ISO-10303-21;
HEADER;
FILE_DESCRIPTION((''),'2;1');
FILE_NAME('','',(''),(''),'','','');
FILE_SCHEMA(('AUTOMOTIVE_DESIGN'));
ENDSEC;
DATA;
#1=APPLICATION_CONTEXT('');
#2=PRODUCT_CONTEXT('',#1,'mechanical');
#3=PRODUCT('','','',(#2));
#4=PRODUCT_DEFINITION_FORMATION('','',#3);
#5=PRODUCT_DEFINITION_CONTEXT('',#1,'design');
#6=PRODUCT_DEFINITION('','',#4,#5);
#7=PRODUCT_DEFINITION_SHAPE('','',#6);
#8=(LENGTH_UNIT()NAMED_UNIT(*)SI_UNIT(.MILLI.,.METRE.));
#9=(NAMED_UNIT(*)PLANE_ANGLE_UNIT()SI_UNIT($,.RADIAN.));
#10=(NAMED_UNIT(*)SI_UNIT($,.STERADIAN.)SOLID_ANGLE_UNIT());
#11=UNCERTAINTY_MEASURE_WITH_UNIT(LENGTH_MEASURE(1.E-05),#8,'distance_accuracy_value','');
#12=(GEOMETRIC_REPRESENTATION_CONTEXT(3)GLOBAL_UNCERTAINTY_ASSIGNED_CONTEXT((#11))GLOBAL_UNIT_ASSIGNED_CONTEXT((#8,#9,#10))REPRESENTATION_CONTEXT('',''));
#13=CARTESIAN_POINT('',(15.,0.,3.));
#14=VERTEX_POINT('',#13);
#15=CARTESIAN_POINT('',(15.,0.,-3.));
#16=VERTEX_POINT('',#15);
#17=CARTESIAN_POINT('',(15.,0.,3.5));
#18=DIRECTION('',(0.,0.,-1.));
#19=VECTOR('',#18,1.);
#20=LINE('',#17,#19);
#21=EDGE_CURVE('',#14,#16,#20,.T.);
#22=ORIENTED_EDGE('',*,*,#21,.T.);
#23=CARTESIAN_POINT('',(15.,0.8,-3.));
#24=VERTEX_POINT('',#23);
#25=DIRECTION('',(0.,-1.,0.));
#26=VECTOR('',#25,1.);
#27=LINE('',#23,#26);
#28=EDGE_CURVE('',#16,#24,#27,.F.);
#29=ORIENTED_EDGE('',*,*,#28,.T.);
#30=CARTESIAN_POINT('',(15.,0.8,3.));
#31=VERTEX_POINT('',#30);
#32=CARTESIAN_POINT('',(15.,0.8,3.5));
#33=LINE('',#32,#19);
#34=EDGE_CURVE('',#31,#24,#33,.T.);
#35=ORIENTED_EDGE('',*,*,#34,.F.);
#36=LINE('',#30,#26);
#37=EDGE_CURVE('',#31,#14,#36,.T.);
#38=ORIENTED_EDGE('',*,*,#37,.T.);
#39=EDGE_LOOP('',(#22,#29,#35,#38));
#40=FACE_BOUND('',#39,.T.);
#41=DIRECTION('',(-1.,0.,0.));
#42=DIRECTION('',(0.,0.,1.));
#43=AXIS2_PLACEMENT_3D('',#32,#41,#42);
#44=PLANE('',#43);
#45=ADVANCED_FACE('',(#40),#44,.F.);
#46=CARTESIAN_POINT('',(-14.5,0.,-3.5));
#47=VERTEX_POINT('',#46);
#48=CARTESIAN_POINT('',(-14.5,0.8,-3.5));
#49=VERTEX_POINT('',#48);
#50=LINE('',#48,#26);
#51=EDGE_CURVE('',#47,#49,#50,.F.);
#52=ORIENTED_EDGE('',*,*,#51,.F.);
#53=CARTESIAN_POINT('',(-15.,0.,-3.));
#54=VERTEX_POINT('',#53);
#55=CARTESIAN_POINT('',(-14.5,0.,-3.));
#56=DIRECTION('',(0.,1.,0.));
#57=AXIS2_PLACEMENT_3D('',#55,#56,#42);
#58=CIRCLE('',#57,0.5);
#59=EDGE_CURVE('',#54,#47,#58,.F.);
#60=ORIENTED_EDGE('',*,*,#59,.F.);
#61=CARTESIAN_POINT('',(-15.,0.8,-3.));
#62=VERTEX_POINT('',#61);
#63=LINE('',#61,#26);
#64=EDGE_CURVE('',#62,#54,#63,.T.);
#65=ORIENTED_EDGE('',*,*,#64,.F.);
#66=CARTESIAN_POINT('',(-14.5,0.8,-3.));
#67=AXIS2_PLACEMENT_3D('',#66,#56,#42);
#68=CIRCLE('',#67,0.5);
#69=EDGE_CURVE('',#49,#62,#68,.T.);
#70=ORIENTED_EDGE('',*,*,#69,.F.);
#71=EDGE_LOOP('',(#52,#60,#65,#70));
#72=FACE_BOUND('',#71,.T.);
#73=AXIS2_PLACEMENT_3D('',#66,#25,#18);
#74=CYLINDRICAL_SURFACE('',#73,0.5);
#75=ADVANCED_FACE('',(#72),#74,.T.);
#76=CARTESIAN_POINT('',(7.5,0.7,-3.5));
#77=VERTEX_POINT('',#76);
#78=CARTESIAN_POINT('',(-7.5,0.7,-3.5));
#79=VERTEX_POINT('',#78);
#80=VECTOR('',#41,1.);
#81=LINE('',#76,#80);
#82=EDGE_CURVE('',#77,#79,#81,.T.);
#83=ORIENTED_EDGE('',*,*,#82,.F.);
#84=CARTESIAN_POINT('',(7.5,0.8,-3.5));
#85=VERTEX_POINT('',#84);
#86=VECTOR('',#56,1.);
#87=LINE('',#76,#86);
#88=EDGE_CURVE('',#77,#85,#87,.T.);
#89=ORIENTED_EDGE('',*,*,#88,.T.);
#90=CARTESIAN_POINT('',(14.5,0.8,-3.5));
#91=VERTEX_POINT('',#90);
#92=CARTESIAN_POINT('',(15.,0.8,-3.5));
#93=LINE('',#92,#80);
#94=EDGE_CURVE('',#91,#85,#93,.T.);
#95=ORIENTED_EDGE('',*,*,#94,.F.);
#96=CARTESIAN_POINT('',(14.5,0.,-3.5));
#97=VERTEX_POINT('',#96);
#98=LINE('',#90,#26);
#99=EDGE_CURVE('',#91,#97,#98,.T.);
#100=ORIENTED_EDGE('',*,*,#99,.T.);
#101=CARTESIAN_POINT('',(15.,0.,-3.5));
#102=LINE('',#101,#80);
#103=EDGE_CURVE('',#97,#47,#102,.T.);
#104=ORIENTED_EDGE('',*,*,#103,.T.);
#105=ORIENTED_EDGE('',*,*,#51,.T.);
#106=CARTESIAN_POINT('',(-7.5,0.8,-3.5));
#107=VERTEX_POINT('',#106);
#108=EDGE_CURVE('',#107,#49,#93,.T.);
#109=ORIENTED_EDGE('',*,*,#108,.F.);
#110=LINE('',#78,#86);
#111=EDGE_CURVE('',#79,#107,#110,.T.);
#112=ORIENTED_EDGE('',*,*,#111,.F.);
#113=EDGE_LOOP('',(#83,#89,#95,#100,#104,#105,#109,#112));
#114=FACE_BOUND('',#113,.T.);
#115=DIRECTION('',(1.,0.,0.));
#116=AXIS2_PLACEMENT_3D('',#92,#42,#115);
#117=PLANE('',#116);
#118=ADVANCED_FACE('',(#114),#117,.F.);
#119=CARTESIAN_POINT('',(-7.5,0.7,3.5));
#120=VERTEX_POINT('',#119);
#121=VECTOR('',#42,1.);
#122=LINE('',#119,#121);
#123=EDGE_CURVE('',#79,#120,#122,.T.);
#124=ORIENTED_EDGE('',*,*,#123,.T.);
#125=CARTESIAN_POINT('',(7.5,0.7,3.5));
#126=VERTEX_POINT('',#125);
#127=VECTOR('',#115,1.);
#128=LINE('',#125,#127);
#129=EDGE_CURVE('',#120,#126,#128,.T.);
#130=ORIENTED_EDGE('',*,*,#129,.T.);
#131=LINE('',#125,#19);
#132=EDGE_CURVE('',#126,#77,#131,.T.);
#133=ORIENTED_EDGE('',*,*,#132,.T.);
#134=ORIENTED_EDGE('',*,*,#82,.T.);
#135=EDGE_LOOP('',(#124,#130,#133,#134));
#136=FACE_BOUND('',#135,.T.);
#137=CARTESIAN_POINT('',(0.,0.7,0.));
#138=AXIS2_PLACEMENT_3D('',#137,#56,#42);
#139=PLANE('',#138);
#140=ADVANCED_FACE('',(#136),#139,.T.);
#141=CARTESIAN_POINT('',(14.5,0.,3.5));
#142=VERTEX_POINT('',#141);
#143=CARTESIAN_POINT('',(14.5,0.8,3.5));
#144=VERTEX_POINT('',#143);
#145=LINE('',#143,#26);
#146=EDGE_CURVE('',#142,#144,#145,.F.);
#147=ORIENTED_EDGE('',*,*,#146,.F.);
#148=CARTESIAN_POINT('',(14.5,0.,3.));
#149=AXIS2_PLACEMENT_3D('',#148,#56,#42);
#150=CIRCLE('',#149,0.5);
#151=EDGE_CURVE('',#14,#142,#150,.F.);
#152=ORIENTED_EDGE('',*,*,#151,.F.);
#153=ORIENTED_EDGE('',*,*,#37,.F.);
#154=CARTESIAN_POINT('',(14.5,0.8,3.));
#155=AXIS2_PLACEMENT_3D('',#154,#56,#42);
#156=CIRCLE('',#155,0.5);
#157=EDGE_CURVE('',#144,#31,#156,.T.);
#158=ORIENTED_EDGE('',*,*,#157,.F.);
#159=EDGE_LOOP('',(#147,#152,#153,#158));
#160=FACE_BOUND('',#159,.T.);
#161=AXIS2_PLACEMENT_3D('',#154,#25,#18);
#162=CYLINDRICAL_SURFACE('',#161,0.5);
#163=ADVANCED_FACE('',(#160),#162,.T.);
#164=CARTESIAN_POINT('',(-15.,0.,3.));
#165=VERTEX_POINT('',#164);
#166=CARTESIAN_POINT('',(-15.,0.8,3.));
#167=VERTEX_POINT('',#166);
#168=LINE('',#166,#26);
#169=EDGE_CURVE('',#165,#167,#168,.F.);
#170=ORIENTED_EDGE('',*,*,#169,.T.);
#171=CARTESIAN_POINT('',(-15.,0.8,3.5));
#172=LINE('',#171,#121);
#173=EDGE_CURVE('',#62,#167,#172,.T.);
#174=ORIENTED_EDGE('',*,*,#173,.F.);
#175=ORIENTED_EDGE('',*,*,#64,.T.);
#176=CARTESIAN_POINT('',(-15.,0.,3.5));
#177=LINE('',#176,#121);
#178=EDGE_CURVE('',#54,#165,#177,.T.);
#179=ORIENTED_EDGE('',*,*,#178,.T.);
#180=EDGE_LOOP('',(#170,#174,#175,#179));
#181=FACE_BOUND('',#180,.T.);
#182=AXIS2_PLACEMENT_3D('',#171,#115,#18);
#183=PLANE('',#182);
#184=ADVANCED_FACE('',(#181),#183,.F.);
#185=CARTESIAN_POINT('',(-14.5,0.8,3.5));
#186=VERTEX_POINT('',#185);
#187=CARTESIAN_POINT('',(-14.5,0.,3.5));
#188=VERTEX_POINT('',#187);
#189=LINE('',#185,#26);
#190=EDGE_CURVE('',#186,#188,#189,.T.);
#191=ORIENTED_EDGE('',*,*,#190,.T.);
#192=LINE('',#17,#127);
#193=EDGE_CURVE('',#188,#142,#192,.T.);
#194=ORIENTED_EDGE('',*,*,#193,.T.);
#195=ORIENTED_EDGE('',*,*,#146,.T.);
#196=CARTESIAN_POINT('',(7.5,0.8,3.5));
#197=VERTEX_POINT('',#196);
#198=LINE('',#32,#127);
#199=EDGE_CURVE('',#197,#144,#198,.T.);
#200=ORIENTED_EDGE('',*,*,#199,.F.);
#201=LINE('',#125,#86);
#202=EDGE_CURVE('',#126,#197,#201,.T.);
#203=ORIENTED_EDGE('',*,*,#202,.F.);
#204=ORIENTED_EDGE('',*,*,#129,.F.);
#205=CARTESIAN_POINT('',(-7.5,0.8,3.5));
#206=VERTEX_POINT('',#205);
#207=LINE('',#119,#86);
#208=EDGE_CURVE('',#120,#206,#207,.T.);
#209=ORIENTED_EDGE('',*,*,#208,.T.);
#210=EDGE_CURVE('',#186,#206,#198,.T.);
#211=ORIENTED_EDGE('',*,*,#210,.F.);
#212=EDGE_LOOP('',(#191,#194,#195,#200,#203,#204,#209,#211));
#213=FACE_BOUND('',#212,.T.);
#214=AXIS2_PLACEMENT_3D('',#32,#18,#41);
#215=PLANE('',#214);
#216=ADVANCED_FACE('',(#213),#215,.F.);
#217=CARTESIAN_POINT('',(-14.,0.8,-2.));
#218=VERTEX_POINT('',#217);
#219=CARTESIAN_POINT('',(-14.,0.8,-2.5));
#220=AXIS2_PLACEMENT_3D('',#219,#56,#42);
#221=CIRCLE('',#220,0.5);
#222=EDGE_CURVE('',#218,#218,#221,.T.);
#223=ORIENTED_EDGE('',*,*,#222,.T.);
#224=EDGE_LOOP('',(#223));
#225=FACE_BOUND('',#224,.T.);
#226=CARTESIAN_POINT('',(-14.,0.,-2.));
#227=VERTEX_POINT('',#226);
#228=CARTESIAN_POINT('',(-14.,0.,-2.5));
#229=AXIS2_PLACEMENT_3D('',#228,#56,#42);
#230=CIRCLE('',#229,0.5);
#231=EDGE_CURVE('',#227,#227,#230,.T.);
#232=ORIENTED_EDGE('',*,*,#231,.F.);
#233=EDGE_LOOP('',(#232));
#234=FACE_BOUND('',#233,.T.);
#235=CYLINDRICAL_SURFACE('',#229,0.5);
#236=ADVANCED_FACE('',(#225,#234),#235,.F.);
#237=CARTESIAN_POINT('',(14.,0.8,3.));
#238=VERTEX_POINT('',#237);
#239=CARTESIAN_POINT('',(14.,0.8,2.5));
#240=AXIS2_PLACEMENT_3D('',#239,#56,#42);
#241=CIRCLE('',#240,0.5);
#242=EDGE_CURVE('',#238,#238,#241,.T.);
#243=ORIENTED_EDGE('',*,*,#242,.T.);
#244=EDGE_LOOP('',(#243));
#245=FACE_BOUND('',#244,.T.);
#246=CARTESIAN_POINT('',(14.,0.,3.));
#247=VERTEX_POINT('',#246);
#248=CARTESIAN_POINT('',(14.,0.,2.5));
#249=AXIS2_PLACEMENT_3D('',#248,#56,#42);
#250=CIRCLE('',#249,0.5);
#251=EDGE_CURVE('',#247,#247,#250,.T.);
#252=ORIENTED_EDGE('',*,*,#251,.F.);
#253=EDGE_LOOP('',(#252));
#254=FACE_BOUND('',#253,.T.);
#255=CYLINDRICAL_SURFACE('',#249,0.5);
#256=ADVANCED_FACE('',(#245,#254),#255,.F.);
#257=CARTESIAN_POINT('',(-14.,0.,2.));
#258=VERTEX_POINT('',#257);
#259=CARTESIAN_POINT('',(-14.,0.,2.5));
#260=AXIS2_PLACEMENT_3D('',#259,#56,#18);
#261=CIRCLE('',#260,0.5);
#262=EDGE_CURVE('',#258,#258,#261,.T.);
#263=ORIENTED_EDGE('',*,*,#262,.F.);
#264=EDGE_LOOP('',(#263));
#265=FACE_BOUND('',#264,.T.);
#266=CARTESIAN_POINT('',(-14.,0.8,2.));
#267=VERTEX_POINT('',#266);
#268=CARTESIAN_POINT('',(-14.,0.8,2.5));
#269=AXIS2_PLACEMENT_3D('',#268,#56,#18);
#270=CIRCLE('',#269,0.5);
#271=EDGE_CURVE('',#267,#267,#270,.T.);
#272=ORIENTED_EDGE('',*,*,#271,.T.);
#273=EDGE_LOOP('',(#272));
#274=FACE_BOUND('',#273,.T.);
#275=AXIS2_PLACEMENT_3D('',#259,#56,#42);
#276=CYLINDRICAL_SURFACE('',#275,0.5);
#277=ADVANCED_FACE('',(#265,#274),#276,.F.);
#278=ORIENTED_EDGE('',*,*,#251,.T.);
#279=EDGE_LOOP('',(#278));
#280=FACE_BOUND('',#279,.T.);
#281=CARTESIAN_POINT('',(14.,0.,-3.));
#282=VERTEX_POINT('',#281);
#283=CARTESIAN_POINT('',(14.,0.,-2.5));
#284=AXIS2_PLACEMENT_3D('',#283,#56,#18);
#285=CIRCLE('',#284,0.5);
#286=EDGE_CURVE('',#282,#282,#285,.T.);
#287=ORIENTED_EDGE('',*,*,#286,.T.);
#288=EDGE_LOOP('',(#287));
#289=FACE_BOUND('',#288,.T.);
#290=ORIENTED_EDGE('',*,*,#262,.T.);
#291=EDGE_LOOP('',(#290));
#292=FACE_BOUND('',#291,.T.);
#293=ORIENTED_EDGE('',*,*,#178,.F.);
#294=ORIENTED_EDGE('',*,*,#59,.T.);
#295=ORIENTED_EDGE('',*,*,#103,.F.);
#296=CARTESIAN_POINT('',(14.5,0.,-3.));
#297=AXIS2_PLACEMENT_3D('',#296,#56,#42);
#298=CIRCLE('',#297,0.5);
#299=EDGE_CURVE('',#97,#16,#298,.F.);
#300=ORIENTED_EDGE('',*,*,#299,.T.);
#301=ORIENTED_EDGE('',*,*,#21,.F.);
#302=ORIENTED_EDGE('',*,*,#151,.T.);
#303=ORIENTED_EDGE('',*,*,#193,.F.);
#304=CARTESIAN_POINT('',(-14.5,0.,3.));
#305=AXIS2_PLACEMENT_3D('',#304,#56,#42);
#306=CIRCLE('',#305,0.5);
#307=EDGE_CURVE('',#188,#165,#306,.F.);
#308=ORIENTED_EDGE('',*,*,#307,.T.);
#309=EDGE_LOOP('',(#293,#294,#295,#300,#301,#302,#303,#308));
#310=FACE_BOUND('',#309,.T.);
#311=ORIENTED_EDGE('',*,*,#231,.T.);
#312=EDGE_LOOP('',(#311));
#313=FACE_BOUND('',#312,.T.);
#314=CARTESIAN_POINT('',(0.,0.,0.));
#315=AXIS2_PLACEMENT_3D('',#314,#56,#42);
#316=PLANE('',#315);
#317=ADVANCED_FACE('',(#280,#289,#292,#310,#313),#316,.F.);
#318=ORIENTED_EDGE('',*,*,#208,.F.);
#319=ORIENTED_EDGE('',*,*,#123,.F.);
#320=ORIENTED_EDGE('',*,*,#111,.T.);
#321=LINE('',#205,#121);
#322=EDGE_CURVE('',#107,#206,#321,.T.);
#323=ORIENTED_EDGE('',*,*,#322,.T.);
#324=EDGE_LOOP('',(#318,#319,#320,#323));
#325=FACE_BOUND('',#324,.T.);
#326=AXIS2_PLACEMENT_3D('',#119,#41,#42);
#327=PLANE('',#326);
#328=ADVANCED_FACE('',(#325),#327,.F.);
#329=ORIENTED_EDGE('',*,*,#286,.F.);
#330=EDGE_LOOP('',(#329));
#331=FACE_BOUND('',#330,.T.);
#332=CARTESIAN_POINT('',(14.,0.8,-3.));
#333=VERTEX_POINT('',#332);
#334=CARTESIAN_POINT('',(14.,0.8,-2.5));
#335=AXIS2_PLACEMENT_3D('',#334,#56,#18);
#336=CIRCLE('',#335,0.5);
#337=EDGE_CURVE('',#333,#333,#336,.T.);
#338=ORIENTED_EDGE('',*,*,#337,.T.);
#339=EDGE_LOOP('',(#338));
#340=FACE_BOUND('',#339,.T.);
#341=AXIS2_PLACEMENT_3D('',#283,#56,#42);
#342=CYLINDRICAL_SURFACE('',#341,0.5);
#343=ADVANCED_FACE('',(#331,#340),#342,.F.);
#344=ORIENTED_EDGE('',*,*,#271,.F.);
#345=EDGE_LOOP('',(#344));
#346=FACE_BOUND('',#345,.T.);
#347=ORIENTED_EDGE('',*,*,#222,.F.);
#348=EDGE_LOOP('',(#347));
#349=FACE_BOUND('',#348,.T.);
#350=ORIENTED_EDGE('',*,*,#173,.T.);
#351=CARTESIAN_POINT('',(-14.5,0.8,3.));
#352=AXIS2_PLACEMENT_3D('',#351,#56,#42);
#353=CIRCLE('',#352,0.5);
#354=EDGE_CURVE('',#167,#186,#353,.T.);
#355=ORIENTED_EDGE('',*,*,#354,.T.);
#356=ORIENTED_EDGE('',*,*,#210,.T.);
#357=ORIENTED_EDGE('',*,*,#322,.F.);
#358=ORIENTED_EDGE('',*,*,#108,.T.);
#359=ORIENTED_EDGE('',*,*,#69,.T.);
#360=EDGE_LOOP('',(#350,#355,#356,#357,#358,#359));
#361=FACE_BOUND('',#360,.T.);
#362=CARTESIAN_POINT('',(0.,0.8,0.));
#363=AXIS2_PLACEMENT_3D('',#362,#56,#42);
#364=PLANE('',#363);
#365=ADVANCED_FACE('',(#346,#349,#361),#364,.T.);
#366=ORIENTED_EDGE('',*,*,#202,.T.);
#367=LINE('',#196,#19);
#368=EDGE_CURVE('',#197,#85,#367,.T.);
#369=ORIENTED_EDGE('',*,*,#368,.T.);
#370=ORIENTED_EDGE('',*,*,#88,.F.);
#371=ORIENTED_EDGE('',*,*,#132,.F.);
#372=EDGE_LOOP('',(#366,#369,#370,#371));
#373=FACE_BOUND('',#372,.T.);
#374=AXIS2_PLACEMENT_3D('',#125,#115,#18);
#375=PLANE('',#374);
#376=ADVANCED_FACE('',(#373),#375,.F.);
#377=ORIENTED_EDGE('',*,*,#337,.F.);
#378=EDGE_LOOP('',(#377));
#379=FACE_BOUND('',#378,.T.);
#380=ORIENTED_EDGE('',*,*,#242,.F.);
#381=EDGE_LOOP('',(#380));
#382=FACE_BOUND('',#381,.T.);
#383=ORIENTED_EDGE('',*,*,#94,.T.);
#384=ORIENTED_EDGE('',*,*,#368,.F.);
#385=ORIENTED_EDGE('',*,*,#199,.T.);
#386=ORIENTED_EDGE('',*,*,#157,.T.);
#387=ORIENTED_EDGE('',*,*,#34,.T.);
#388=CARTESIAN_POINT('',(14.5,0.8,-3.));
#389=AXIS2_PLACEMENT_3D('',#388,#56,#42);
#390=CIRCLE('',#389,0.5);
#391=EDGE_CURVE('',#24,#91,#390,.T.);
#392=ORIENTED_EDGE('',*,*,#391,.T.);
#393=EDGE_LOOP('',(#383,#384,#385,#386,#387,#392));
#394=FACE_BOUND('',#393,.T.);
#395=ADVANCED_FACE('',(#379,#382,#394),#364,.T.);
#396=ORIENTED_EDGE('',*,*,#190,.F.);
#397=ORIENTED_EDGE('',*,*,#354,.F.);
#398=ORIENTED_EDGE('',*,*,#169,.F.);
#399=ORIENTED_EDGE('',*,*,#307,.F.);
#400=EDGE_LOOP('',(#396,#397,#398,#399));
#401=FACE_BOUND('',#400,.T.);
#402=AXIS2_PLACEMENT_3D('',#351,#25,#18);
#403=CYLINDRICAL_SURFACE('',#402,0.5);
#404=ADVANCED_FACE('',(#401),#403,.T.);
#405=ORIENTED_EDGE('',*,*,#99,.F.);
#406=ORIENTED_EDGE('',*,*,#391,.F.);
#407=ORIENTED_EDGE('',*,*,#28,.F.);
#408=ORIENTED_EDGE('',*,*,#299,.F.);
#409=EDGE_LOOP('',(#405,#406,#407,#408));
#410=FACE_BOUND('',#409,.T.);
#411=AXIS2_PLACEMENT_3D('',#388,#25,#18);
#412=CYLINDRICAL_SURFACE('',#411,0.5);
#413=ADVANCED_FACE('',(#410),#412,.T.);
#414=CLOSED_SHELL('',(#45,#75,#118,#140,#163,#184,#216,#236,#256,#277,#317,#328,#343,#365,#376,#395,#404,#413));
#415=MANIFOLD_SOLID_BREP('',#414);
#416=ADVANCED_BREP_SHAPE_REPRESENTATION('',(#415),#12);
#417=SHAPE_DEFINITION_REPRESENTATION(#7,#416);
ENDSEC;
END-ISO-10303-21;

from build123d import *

# Parameters (mm, degrees)
SKETCH_1_W          = 30
SKETCH_1_H          = 7
EXTRUDE_1_DEPTH     = 0.8
SKETCH_2_R          = 0.5
CUT_EXTRUDE_1_DEPTH = 1.8
FILLET_1_R          = 0.5
SKETCH_3_W          = 15
SKETCH_3_H          = 7
CUT_EXTRUDE_2_DEPTH = 0.1


with BuildPart() as part:
    # 草图1 → 凸台-拉伸1 (new body)
    with BuildSketch(Plane(origin=(0, 0, 0), x_dir=(1, 0, 0), z_dir=(0, 1, 0))):
        Rectangle(SKETCH_1_W, SKETCH_1_H)
    extrude(amount=EXTRUDE_1_DEPTH)

    # 草图2 → 切除-拉伸1 (cut, through all)
    with BuildSketch(Plane(origin=(0, 0.8, 0), x_dir=(1, 0, 0), z_dir=(0, 1, 0))):
        with Locations((-14, 2.5)):
            Circle(SKETCH_2_R)
        with Locations((14, 2.5)):
            Circle(SKETCH_2_R)
        with Locations((14, -2.5)):
            Circle(SKETCH_2_R)
        with Locations((-14, -2.5)):
            Circle(SKETCH_2_R)
    extrude(amount=-CUT_EXTRUDE_1_DEPTH, mode=Mode.SUBTRACT)

    # 圆角1
    fillet_1_edges = [part.edges().sort_by_distance(p)[0] for p in [
        (-15, 0.4, -3.5),
        (15, 0.4, -3.5),
        (15, 0.4, 3.5),
        (-15, 0.4, 3.5),
    ]]
    fillet(fillet_1_edges, radius=FILLET_1_R)

    # 草图3 → 切除-拉伸2 (cut)
    with BuildSketch(Plane(origin=(0, 0.8, 0), x_dir=(1, 0, 0), z_dir=(0, 1, 0))):
        Rectangle(SKETCH_3_W, SKETCH_3_H)
    extrude(amount=-CUT_EXTRUDE_2_DEPTH, mode=Mode.SUBTRACT)


solid = part.part
